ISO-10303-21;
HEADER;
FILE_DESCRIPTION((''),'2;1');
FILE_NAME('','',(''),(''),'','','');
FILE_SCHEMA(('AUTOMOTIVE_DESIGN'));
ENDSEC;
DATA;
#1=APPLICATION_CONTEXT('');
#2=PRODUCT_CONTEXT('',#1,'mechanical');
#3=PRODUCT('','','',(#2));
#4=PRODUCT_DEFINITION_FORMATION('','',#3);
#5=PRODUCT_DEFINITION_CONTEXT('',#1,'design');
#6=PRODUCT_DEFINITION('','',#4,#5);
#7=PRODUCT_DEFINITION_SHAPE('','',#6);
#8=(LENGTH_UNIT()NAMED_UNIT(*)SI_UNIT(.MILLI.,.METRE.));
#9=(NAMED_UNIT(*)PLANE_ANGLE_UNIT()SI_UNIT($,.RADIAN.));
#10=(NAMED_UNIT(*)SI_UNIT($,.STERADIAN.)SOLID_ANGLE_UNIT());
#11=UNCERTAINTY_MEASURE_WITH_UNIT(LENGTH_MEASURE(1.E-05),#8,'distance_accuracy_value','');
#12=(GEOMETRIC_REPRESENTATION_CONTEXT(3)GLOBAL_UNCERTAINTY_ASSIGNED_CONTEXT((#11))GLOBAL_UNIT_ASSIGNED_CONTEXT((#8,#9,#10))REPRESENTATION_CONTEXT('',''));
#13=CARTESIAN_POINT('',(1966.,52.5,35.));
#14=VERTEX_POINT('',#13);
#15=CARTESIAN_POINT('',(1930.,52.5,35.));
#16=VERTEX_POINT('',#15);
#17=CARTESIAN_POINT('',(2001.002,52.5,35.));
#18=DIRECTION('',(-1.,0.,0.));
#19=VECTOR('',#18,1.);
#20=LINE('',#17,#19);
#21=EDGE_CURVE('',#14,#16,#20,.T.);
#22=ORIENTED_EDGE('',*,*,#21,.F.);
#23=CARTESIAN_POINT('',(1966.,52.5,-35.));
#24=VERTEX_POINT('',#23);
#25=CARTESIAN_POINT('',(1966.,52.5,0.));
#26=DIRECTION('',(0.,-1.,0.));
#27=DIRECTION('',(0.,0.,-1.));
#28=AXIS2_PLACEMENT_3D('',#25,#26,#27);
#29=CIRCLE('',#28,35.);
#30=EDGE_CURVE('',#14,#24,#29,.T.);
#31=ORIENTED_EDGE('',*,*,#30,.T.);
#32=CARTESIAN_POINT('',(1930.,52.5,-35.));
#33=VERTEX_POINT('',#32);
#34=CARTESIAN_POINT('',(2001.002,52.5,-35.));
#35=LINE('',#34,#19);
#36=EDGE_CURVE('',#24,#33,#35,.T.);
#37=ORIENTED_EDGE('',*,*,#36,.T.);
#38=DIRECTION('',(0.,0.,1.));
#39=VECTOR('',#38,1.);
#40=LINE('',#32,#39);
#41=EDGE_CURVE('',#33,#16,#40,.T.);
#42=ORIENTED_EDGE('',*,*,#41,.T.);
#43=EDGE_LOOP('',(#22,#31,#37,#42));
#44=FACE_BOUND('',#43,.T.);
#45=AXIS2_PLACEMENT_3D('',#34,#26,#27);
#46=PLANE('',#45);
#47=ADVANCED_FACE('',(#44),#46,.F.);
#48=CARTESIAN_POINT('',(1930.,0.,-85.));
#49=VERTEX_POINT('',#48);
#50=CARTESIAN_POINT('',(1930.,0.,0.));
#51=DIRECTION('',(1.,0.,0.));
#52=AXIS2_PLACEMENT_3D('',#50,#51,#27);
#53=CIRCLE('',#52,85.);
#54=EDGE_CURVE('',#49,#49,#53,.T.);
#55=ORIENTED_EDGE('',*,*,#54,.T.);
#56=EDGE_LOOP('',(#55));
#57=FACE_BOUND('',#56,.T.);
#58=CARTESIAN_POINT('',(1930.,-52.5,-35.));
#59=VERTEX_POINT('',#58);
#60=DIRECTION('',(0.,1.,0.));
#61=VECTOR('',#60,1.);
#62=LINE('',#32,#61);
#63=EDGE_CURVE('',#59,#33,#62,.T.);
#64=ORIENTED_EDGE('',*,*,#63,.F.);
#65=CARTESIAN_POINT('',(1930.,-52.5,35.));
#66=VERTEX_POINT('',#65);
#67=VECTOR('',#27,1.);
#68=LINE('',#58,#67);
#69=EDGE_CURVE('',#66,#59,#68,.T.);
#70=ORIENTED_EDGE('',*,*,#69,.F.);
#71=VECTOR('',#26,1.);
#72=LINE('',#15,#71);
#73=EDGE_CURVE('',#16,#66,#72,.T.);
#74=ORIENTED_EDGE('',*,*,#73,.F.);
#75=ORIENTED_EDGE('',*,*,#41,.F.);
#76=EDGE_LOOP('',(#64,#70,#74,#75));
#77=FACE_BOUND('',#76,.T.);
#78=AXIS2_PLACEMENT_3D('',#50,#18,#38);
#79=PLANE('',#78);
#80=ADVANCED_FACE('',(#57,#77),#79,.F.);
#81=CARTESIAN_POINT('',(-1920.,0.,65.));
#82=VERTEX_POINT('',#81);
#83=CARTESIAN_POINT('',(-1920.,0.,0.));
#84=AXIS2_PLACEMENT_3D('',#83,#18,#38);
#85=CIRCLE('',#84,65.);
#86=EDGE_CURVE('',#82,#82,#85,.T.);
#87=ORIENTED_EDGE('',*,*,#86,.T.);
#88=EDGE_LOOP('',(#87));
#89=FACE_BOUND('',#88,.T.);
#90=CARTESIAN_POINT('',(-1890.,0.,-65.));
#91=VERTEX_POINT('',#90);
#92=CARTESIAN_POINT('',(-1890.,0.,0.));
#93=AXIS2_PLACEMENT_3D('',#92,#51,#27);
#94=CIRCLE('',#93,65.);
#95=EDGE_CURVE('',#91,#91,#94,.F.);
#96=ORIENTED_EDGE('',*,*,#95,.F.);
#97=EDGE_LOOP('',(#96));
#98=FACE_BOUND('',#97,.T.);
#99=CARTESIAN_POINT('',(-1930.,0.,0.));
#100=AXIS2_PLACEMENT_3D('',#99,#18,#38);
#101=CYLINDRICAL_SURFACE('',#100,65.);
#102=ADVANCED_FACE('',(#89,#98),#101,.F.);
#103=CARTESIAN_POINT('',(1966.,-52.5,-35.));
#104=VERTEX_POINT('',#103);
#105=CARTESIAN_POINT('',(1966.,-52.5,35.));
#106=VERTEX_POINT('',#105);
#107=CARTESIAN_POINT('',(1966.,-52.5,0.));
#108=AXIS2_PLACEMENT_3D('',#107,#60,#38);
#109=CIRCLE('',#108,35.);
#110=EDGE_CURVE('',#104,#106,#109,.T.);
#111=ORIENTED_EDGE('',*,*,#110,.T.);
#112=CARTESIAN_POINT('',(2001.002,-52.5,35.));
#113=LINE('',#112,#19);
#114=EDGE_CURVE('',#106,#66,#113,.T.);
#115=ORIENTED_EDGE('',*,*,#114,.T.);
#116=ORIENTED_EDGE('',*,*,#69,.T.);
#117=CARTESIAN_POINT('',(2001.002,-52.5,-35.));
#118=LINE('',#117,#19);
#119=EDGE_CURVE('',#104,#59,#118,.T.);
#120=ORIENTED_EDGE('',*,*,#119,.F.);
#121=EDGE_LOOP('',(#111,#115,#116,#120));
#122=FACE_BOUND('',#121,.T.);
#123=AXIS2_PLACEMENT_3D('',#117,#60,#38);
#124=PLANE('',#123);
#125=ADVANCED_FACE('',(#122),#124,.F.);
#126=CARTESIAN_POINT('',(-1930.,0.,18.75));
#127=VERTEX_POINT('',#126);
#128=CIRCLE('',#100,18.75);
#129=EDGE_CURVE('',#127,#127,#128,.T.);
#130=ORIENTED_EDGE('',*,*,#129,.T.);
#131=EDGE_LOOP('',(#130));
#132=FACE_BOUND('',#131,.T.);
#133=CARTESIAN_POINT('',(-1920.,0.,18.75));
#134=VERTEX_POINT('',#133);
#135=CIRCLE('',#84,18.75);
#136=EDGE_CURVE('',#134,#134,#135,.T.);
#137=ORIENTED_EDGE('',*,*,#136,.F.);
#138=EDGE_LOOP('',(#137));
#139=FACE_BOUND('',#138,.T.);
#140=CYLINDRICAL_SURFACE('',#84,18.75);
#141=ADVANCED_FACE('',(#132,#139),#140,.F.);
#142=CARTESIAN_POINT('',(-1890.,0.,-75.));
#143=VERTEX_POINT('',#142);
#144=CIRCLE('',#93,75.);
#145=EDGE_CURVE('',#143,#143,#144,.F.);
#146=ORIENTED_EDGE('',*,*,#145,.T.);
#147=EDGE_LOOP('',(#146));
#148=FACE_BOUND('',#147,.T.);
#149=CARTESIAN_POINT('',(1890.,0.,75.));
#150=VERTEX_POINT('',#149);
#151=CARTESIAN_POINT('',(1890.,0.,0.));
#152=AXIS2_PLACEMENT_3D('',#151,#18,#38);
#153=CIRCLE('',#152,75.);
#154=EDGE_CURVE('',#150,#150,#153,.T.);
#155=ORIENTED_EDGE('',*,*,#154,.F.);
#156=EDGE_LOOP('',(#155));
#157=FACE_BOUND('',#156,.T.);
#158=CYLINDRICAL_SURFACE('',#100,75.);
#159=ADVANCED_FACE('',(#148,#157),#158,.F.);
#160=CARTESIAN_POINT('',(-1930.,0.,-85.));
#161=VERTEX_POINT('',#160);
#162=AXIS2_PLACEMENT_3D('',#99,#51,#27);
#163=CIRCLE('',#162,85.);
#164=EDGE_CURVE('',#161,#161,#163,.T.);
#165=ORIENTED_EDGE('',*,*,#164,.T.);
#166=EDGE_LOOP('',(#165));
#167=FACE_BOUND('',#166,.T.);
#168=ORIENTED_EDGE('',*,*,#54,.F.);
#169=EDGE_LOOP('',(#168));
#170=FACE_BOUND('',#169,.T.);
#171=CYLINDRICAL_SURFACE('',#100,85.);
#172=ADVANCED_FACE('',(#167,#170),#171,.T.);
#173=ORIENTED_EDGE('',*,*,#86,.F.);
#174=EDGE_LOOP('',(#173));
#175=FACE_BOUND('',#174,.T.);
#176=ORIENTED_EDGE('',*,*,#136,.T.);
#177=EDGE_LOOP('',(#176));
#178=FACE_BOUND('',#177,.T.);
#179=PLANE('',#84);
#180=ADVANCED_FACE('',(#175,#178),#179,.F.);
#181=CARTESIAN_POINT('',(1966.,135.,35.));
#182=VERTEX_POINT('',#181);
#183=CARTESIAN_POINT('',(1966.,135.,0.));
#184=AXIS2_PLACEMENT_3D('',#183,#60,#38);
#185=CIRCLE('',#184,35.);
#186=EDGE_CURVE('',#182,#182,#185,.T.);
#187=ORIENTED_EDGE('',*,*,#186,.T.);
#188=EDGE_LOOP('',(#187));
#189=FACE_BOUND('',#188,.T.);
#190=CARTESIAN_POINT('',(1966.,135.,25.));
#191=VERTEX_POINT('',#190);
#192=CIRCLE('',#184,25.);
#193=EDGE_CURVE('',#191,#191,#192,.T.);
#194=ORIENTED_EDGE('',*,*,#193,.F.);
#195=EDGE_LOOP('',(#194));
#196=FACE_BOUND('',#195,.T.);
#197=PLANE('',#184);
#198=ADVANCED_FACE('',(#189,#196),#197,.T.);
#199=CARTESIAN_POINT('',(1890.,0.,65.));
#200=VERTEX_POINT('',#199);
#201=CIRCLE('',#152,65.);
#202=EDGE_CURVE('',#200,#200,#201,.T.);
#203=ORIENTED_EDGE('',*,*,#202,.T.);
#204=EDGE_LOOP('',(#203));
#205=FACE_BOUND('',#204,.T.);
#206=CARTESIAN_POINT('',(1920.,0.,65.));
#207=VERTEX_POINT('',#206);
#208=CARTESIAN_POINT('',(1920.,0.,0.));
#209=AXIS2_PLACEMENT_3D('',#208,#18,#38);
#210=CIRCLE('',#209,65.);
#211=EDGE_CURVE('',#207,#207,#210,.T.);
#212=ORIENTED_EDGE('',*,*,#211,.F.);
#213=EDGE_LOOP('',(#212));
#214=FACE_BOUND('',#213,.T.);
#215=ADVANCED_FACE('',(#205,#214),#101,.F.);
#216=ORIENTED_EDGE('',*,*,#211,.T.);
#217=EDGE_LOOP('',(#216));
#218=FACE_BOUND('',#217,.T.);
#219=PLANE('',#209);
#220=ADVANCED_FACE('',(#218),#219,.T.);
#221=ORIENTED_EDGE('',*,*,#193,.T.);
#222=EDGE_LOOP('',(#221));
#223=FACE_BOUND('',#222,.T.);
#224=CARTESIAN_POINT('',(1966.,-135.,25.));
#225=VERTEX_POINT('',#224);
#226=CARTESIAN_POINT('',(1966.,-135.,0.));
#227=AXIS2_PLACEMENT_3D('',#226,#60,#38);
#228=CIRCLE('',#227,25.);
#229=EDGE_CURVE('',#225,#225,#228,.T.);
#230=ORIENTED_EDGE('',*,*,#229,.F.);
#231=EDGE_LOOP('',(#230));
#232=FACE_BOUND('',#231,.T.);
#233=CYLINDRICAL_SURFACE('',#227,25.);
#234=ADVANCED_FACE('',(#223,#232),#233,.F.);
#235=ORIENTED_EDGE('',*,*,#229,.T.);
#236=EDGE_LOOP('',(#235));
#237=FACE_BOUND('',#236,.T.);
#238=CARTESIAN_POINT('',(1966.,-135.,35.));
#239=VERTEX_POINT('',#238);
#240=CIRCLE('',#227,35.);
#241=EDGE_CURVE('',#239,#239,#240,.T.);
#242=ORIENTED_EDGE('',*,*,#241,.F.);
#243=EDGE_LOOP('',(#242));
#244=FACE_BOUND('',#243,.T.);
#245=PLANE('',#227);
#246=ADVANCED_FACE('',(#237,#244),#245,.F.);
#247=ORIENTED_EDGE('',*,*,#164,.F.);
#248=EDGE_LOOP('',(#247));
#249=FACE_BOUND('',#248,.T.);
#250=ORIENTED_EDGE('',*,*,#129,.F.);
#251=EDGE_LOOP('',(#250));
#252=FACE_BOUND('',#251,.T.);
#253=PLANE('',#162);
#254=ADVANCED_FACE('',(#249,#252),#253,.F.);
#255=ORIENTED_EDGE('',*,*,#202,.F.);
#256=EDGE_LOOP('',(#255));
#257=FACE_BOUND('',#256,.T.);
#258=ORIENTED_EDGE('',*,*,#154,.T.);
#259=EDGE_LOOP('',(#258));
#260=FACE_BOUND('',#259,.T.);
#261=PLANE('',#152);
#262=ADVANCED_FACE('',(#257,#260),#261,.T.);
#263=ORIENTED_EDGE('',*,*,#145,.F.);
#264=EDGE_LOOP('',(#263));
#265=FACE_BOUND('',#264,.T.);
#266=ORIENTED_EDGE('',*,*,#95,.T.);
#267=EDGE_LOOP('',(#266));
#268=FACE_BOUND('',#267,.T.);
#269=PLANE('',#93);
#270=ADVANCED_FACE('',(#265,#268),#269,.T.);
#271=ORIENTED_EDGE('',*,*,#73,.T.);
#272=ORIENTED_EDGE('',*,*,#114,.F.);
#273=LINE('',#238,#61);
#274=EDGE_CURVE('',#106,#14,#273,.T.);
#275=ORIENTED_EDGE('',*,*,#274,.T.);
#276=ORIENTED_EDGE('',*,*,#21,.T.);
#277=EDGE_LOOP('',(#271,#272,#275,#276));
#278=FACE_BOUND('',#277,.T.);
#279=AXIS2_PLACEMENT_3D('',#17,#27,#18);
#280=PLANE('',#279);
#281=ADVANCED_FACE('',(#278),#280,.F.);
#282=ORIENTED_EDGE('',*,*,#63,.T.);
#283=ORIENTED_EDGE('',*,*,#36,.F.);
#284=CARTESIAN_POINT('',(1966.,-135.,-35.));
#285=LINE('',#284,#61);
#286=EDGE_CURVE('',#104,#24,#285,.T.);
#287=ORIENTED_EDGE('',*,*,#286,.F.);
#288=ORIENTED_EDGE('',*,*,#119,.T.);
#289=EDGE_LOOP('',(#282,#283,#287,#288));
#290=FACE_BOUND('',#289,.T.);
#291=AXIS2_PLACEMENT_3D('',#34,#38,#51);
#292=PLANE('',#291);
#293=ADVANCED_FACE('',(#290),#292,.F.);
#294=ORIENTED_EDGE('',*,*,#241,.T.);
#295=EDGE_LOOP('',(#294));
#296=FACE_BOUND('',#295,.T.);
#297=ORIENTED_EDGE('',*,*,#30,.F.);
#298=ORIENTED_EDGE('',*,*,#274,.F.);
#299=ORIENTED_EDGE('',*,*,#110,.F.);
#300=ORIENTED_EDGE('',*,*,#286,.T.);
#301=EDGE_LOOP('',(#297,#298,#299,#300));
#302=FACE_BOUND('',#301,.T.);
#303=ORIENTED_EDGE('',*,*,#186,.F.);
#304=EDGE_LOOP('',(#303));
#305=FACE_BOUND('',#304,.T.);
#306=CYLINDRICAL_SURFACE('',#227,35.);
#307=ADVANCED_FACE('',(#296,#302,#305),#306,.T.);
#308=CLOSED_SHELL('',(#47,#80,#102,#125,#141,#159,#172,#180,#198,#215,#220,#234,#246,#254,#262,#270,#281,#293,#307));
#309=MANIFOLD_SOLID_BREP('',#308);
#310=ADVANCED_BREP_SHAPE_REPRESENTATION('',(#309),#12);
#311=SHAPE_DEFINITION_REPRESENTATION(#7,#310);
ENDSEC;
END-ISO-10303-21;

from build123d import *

# Parameters (mm, degrees)
CILINDAR_SHELL1_T                 = -10
CILINDAR_SKETCH3_W                = 30
CILINDAR_SKETCH3_H                = 10
CILINDAR_BOSS_EXTRUDE1_DEPTH      = 135
CILINDAR_BOSS_EXTRUDE1_DEPTH_BACK = 135
CILINDAR_SKETCH2_R                = 35
CILINDAR_SKETCH2_R_2              = 25
CILINDAR_BOSS_EXTRUDE7_REACH      = 3865.295
CILINDAR_BOSS_EXTRUDE7_END_RADIUS = 35
CILINDAR_SKETCH6_W                = 70
CILINDAR_SKETCH6_H                = 105
CILINDAR_SKETCH7_R                = 65
CILINDAR_SKETCH7_R_2              = 18.75
CILINDAR_BOSS_EXTRUDE8_DEPTH      = 10


with BuildPart() as part:
    # cilindar_Sketch1 → cilindar_Revolve1 (revolve)
    with BuildSketch(Plane(origin=(0, 0, 0), x_dir=(1, 0, 0), z_dir=(0, 1, 0)), mode=Mode.PRIVATE) as cilindar_revolve1_sk:
        Polygon((-1900, 75), (-1930, 75), (-1930, 0), (1930, 0), (1930, 75), (1900, 75), (1900, 85), (-1900, 85), align=None)
    revolve(cilindar_revolve1_sk.sketch.rotate(Axis((-1930, 0, 0), (1, 0, 0)), 180), axis=Axis((-1930, 0, 0), (1, 0, 0)))

    # cilindar_Shell1
    cilindar_shell1_openings = [part.faces().sort_by_distance(p)[0] for p in [
        (-1930, 0, 0),
    ]]
    offset(amount=CILINDAR_SHELL1_T, openings=cilindar_shell1_openings, kind=Kind.INTERSECTION)

    # cilindar_Sketch3 → cilindar_Revolve2 (revolve)
    with BuildSketch(Plane(origin=(0, 0, 0), x_dir=(1, 0, 0), z_dir=(0, 1, 0))):
        with Locations((-1915, 80)):
            Rectangle(CILINDAR_SKETCH3_W, CILINDAR_SKETCH3_H)
    cilindar_revolve2 = revolve(axis=Axis((1890, 0, 0), (-1, 0, 0)))

    # cilindar_Mirror2: cilindar_Revolve2 across plane
    add(cilindar_revolve2.mirror(Plane(origin=(0, 0, 0), x_dir=(0, 0, 1), z_dir=(1, 0, 0))))



with BuildPart() as body_2:
    # cilindar_Sketch2 → cilindar_Boss-Extrude1 (new, two sides: drawn at the far end of the back side and taken through both)
    with BuildSketch(Plane(origin=(0, 0, 0), x_dir=(1, 0, 0), z_dir=(0, 1, 0)).offset(-CILINDAR_BOSS_EXTRUDE1_DEPTH_BACK)):
        with Locations(Location((1966, 0, 0), (0, 0, 270))):
            Circle(CILINDAR_SKETCH2_R)
        with Locations(Location((1966, 0, 0), (0, 0, 270))):
            Circle(CILINDAR_SKETCH2_R_2, mode=Mode.SUBTRACT)
    extrude(amount=CILINDAR_BOSS_EXTRUDE1_DEPTH + CILINDAR_BOSS_EXTRUDE1_DEPTH_BACK)


with BuildPart() as part_1:
    add(part.part)

    add(body_2.part)  # cilindar_Boss-Extrude7 merges body 2
    # cilindar_Boss-Extrude7: up to this cylinder (the profile starts outside it)
    cilindar_boss_extrude7_end = Plane(origin=(1966, 0, 0), z_dir=(0, 1, 0)) * Cylinder(CILINDAR_BOSS_EXTRUDE7_END_RADIUS, 7801.59, mode=Mode.PRIVATE)
    # cilindar_Sketch6 → cilindar_Boss-Extrude7 (add, up to the surface)
    with BuildSketch(Plane(origin=(1930, 0, 0), x_dir=(0, 0, -1), z_dir=(1, 0, 0)), mode=Mode.PRIVATE) as cilindar_boss_extrude7_sk1:
        Rectangle(CILINDAR_SKETCH6_W, CILINDAR_SKETCH6_H)
    cilindar_boss_extrude7_tool1 = extrude(cilindar_boss_extrude7_sk1.sketch, amount=CILINDAR_BOSS_EXTRUDE7_REACH, mode=Mode.PRIVATE) - cilindar_boss_extrude7_end
    add(cilindar_boss_extrude7_tool1.solids().sort_by_distance((1930, 0, 0))[0])

    # cilindar_Sketch7 → cilindar_Boss-Extrude8 (add)
    with BuildSketch(Plane.ZY.offset(1930)):
        Circle(CILINDAR_SKETCH7_R)
        Circle(CILINDAR_SKETCH7_R_2, mode=Mode.SUBTRACT)
    extrude(amount=-CILINDAR_BOSS_EXTRUDE8_DEPTH)


solid = part_1.part
